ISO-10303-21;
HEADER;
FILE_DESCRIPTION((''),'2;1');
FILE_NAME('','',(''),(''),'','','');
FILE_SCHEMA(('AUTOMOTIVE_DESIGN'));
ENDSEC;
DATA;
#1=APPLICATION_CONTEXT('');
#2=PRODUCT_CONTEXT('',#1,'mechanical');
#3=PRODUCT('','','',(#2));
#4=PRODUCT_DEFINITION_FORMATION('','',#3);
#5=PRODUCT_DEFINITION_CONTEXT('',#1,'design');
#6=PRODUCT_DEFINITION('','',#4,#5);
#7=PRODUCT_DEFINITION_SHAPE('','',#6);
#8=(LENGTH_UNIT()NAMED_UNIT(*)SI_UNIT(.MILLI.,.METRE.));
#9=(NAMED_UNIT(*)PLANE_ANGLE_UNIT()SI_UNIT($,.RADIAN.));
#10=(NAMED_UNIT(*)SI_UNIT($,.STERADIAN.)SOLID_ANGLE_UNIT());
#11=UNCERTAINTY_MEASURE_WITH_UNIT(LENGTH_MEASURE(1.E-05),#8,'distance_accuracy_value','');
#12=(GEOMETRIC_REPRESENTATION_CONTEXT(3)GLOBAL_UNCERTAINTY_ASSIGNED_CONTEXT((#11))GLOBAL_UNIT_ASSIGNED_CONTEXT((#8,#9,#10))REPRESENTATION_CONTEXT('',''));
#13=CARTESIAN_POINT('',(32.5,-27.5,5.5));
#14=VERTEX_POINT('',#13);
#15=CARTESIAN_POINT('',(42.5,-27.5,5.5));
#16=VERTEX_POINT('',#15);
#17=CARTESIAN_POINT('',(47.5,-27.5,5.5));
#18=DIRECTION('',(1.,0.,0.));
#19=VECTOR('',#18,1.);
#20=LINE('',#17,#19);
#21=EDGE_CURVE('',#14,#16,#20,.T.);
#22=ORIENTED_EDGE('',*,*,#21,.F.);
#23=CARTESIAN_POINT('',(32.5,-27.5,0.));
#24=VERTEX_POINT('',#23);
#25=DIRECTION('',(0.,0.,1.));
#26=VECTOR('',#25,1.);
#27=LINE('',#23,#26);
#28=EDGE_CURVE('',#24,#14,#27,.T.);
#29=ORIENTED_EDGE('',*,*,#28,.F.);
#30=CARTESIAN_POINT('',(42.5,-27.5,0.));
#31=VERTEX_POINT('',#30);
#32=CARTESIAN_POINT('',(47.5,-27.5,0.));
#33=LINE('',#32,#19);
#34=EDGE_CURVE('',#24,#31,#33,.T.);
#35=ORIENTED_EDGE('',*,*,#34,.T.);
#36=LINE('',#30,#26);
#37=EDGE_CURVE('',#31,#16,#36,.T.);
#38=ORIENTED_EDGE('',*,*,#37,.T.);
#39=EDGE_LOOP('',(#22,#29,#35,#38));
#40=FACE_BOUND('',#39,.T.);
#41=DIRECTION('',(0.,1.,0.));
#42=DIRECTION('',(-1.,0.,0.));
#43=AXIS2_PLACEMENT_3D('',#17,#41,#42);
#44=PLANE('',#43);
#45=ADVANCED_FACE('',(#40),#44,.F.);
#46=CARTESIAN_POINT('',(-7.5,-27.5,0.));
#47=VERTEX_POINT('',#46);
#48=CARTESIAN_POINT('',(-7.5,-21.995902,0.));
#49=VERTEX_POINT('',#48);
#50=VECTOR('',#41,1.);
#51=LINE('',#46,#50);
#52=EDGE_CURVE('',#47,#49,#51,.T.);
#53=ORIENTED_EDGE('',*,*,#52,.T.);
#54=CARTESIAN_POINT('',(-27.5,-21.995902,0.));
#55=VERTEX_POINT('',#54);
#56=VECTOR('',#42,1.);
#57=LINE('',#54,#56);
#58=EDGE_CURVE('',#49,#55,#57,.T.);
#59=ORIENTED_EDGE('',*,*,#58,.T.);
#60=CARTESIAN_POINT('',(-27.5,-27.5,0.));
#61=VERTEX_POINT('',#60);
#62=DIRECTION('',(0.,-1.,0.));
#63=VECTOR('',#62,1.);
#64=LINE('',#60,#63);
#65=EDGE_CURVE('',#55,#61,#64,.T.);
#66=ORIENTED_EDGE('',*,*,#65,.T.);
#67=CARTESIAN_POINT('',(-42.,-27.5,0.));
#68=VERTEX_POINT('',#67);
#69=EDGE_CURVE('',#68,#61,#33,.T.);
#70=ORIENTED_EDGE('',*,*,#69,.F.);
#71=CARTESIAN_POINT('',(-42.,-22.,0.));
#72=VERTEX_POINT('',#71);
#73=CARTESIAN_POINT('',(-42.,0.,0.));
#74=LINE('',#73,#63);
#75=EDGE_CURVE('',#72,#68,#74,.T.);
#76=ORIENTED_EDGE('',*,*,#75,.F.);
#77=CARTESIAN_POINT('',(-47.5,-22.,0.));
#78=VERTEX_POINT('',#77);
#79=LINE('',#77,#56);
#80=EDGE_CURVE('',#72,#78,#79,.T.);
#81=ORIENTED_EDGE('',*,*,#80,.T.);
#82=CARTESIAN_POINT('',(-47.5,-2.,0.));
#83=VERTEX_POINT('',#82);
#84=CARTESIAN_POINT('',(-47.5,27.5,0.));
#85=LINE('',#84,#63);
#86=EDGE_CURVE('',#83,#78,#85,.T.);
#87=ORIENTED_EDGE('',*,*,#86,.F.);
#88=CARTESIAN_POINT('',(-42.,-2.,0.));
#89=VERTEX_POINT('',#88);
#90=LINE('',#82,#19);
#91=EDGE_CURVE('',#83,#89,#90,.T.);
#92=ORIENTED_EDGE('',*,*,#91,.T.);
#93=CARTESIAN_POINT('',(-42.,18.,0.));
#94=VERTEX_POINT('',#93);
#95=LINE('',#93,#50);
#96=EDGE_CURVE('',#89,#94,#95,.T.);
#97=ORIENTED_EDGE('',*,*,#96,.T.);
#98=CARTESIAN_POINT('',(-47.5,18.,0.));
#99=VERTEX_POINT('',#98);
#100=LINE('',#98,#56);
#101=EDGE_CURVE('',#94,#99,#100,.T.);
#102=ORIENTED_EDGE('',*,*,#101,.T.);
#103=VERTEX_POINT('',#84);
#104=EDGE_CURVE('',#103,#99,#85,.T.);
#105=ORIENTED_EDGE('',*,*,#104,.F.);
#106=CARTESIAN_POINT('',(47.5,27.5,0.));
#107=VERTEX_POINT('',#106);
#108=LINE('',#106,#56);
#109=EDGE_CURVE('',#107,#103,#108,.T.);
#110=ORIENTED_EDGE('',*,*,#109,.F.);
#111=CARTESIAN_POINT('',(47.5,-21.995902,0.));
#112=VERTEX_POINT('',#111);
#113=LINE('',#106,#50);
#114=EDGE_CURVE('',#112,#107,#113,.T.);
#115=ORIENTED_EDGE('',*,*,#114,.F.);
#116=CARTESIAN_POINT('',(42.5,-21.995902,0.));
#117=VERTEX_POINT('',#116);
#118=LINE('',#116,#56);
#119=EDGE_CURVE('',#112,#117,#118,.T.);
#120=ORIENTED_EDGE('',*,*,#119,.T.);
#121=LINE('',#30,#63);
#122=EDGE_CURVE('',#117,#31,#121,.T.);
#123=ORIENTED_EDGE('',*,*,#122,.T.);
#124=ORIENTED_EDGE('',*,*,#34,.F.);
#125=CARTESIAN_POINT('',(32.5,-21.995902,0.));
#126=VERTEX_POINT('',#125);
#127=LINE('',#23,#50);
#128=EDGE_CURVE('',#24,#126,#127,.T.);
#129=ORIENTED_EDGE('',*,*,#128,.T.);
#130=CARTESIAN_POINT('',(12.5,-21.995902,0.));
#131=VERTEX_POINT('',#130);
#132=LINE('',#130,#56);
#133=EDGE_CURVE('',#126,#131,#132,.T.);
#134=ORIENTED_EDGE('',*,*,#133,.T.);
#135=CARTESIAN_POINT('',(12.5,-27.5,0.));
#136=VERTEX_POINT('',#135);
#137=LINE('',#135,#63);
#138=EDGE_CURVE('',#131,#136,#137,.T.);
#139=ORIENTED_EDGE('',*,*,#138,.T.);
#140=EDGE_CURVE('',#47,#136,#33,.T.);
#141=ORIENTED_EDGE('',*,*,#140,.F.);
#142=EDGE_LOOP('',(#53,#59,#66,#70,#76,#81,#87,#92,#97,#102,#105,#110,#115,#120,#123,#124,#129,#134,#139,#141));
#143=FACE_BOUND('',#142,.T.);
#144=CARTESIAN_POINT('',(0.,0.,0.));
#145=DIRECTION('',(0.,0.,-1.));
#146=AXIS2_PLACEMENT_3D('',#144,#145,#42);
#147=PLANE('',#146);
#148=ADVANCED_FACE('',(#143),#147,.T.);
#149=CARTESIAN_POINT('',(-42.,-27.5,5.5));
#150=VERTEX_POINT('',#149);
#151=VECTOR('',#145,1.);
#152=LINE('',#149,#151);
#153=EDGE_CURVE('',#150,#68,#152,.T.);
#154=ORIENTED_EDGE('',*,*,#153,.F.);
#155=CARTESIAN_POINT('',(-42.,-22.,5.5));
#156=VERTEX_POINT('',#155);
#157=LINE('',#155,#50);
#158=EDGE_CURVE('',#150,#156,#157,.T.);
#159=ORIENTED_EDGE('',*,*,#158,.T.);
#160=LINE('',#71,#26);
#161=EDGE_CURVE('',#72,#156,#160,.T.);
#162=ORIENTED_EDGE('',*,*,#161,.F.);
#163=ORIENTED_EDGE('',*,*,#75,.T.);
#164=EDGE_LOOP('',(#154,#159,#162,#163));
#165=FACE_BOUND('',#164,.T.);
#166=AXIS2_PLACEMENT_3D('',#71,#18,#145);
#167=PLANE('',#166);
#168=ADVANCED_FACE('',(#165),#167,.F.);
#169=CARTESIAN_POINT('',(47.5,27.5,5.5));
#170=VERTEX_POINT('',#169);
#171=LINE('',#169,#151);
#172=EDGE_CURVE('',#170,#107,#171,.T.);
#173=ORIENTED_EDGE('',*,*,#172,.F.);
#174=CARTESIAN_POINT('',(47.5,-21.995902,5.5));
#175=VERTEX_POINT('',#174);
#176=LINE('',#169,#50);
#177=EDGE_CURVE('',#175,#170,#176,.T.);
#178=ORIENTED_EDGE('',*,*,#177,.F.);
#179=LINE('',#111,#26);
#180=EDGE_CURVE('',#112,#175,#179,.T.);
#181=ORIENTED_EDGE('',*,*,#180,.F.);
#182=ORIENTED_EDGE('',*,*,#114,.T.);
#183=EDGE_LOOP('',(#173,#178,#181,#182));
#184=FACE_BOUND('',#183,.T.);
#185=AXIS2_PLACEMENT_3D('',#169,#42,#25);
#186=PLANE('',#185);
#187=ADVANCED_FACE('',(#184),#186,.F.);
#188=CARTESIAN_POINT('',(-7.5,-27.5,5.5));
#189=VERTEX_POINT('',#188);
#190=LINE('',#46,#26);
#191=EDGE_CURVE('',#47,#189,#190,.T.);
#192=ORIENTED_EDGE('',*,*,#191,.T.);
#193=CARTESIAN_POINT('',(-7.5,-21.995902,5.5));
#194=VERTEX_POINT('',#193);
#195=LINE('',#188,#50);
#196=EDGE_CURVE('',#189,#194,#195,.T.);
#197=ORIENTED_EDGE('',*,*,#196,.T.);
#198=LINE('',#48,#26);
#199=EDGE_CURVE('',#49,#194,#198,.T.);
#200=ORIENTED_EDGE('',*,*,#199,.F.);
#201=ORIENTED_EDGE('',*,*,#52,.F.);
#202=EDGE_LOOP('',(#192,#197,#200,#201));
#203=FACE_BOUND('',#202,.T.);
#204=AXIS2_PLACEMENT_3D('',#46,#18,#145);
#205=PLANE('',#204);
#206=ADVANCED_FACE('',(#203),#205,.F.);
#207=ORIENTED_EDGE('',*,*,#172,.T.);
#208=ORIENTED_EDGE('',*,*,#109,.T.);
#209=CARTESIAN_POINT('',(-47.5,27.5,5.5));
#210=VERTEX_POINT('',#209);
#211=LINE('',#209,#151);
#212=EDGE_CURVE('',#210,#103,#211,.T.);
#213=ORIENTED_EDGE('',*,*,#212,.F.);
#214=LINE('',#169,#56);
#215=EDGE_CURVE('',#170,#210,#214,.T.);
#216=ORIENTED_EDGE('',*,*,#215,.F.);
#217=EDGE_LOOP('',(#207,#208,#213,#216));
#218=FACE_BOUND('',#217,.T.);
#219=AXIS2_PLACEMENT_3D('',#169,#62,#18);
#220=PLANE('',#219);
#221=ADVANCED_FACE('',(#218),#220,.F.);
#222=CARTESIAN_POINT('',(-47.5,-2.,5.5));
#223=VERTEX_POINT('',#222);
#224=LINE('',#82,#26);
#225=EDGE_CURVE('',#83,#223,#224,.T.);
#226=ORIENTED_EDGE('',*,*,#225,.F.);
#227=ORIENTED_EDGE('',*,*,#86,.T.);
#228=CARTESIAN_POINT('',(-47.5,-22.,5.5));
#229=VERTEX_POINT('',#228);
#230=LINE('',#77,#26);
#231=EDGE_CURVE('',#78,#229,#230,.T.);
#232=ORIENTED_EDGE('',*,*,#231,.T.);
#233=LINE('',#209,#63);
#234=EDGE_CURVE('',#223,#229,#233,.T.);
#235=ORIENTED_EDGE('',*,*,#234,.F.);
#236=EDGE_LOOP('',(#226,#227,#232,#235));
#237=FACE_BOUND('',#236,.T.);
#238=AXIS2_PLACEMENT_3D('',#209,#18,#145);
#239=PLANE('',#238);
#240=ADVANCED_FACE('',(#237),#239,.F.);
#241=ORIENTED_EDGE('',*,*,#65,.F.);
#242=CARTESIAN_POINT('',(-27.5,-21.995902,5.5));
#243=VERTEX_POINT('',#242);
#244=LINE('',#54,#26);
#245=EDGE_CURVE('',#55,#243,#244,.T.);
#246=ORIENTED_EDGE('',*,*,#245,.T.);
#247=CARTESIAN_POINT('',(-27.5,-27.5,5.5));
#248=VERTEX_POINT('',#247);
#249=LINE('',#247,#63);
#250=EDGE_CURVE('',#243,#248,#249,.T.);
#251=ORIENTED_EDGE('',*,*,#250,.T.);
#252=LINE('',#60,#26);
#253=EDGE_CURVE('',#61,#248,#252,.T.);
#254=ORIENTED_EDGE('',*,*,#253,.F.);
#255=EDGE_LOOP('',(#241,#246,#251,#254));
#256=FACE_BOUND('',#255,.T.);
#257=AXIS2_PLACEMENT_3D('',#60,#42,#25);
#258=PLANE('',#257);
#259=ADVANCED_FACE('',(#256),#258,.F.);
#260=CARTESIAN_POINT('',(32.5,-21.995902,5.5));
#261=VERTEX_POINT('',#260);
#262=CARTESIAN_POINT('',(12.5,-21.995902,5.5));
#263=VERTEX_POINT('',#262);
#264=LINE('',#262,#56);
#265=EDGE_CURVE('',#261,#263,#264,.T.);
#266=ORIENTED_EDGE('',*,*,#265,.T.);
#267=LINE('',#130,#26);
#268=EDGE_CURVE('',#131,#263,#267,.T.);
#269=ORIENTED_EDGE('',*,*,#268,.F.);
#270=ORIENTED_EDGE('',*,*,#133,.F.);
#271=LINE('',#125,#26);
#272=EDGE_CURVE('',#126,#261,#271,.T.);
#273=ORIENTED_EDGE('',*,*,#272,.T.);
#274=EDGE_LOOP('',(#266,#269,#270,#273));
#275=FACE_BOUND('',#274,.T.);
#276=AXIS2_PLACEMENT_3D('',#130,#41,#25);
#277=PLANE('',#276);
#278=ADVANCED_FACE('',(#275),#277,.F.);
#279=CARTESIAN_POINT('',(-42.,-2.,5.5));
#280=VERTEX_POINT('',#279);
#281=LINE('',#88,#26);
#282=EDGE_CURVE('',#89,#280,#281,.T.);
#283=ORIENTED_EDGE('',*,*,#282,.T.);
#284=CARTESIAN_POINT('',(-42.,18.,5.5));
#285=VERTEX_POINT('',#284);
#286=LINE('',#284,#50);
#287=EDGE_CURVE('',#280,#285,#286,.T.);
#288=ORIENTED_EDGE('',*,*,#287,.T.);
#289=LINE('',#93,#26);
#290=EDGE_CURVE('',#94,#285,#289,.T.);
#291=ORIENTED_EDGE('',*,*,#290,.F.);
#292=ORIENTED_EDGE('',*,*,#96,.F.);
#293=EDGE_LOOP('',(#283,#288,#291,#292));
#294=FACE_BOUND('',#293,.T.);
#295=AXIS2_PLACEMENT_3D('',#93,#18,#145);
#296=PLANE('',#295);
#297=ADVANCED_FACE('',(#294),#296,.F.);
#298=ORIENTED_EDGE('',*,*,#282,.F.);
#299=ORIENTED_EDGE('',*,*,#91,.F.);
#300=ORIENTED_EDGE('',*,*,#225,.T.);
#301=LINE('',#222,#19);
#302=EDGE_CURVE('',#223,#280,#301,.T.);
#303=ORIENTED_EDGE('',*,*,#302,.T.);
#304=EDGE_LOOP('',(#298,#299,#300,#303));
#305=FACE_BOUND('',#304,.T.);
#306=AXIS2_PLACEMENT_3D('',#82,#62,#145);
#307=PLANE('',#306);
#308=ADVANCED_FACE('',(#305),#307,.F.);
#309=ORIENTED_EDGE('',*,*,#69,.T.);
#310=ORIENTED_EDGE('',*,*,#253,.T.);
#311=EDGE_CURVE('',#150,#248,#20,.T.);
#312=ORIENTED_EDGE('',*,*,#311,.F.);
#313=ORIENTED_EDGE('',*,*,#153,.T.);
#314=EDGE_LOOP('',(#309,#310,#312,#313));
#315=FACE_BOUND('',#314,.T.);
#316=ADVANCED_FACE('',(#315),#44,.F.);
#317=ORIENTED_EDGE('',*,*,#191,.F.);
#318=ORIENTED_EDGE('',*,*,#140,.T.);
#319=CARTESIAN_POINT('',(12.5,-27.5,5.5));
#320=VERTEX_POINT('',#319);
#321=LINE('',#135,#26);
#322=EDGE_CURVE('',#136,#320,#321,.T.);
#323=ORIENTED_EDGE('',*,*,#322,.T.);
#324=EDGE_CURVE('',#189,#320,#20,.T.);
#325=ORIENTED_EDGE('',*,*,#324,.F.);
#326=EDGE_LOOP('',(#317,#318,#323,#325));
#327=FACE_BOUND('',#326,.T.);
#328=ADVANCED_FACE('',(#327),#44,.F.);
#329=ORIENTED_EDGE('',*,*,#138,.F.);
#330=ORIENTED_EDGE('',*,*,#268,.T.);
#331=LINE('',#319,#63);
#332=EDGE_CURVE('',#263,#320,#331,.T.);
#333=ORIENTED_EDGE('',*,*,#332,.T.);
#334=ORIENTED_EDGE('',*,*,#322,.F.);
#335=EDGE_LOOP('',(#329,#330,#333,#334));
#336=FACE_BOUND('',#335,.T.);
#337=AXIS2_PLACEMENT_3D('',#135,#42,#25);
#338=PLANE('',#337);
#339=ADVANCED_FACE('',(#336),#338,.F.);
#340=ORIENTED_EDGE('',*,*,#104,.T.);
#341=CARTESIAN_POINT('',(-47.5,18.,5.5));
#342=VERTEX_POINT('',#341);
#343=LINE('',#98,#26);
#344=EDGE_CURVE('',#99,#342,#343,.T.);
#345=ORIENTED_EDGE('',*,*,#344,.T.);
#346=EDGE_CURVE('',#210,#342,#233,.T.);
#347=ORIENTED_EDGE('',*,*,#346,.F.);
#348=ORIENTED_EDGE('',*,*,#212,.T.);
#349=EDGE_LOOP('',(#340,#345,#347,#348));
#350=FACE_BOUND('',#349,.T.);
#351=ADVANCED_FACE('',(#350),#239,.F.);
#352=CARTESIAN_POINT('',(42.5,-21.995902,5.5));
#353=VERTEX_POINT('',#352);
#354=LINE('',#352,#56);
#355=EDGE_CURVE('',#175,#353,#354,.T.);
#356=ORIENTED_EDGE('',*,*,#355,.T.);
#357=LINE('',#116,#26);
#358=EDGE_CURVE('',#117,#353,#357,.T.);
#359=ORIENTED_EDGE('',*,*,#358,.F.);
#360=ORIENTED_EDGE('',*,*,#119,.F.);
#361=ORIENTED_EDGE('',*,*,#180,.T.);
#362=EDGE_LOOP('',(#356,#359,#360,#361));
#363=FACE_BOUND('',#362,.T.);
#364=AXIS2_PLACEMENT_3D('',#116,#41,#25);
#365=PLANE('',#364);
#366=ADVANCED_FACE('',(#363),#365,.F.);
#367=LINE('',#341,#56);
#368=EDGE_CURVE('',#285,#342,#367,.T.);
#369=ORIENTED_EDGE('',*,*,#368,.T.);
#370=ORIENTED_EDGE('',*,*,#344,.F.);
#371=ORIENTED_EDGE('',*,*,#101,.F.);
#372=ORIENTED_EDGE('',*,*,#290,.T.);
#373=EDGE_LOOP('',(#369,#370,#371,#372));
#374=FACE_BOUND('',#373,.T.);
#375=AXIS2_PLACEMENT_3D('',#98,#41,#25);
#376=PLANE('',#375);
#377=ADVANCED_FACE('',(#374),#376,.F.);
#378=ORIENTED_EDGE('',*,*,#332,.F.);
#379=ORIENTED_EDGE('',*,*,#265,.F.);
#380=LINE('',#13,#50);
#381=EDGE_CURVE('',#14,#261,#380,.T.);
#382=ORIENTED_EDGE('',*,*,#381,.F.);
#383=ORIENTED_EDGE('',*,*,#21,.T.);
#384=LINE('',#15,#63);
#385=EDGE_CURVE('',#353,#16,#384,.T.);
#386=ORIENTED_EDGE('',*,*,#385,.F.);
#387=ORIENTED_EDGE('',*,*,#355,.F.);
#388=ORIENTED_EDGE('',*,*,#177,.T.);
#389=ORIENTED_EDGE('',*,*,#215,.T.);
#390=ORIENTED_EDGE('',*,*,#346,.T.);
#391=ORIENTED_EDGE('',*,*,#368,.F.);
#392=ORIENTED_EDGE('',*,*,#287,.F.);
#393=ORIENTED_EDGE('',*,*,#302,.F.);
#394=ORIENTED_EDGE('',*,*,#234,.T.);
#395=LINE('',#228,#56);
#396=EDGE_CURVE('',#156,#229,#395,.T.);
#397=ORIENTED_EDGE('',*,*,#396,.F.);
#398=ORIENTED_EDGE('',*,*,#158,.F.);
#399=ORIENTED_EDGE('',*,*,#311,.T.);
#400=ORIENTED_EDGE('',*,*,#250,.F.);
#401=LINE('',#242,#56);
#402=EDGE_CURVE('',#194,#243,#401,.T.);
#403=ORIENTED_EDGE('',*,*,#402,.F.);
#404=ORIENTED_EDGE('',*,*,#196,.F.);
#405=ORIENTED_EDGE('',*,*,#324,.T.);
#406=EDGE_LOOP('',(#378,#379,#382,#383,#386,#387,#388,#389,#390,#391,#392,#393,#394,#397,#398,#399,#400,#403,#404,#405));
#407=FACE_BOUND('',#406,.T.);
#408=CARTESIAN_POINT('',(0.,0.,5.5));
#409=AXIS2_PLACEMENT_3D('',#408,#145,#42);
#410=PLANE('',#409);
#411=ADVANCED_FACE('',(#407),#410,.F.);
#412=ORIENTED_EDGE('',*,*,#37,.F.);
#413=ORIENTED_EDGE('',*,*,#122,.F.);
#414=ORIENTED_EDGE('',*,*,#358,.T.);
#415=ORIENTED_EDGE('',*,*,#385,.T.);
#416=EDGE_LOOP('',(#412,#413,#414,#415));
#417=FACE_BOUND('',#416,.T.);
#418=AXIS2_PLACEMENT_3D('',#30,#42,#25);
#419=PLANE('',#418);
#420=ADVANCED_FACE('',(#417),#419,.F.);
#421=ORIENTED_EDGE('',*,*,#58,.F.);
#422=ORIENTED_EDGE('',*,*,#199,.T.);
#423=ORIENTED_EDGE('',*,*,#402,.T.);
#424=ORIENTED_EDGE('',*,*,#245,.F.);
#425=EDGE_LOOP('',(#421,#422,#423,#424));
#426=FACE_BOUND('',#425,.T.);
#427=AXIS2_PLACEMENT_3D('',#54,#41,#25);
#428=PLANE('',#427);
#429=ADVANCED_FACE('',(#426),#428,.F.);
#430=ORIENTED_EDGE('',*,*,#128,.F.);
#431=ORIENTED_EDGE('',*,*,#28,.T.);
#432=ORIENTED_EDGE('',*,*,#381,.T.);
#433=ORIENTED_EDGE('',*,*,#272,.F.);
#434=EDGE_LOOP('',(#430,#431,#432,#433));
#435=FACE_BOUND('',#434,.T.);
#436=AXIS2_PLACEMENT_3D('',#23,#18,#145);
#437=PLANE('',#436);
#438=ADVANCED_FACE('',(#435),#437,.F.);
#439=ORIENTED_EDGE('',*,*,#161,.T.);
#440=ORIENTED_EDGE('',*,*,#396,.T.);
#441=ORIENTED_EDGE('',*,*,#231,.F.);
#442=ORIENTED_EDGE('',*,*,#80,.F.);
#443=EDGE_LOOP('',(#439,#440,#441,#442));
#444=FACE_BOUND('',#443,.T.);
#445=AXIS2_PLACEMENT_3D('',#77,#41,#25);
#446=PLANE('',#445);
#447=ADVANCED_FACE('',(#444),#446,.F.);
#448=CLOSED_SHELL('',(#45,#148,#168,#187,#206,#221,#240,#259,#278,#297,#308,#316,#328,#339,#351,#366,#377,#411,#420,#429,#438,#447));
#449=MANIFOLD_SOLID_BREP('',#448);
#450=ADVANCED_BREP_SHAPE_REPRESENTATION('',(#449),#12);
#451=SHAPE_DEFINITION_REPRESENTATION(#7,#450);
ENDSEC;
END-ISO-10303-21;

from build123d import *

# Parameters (mm, degrees)
SKETCH_1_W          = 95
SKETCH_1_H          = 55
EXTRUDE_1_DEPTH     = 5.5
SKETCH_3_W          = 5.5
SKETCH_3_H          = 20
CUT_EXTRUDE_2_DEPTH = 56.161127617
SKETCH_4_W          = 20
SKETCH_4_H          = 5.504098133
SKETCH_4_W_2        = 5
CUT_EXTRUDE_3_DEPTH = 56.161127617


with BuildPart() as part:
    # ｽｹｯﾁ1 → ﾎﾞｽ - 押し出し1 (new body)
    with BuildSketch(Plane.XY):
        Rectangle(SKETCH_1_W, SKETCH_1_H)
    extrude(amount=EXTRUDE_1_DEPTH)

    # ｽｹｯﾁ3 → ｶｯﾄ - 押し出し2 (cut, through all)
    with BuildSketch(Plane.XY.offset(5.5)):
        with Locations((-44.75, -32)):
            Rectangle(SKETCH_3_W, SKETCH_3_H)
        with Locations((-44.75, 8)):
            Rectangle(SKETCH_3_W, SKETCH_3_H)
    extrude(amount=-CUT_EXTRUDE_2_DEPTH, mode=Mode.SUBTRACT)

    # ｽｹｯﾁ4 → ｶｯﾄ - 押し出し3 (cut, through all)
    with BuildSketch(Plane.XY.offset(5.5)):
        with Locations((-17.5, -24.747950934)):
            Rectangle(SKETCH_4_W, SKETCH_4_H)
        with Locations((22.5, -24.747950934)):
            Rectangle(SKETCH_4_W, SKETCH_4_H)
        with Locations((45, -24.747950934)):
            Rectangle(SKETCH_4_W_2, SKETCH_4_H)
    extrude(amount=-CUT_EXTRUDE_3_DEPTH, mode=Mode.SUBTRACT)


solid = part.part
